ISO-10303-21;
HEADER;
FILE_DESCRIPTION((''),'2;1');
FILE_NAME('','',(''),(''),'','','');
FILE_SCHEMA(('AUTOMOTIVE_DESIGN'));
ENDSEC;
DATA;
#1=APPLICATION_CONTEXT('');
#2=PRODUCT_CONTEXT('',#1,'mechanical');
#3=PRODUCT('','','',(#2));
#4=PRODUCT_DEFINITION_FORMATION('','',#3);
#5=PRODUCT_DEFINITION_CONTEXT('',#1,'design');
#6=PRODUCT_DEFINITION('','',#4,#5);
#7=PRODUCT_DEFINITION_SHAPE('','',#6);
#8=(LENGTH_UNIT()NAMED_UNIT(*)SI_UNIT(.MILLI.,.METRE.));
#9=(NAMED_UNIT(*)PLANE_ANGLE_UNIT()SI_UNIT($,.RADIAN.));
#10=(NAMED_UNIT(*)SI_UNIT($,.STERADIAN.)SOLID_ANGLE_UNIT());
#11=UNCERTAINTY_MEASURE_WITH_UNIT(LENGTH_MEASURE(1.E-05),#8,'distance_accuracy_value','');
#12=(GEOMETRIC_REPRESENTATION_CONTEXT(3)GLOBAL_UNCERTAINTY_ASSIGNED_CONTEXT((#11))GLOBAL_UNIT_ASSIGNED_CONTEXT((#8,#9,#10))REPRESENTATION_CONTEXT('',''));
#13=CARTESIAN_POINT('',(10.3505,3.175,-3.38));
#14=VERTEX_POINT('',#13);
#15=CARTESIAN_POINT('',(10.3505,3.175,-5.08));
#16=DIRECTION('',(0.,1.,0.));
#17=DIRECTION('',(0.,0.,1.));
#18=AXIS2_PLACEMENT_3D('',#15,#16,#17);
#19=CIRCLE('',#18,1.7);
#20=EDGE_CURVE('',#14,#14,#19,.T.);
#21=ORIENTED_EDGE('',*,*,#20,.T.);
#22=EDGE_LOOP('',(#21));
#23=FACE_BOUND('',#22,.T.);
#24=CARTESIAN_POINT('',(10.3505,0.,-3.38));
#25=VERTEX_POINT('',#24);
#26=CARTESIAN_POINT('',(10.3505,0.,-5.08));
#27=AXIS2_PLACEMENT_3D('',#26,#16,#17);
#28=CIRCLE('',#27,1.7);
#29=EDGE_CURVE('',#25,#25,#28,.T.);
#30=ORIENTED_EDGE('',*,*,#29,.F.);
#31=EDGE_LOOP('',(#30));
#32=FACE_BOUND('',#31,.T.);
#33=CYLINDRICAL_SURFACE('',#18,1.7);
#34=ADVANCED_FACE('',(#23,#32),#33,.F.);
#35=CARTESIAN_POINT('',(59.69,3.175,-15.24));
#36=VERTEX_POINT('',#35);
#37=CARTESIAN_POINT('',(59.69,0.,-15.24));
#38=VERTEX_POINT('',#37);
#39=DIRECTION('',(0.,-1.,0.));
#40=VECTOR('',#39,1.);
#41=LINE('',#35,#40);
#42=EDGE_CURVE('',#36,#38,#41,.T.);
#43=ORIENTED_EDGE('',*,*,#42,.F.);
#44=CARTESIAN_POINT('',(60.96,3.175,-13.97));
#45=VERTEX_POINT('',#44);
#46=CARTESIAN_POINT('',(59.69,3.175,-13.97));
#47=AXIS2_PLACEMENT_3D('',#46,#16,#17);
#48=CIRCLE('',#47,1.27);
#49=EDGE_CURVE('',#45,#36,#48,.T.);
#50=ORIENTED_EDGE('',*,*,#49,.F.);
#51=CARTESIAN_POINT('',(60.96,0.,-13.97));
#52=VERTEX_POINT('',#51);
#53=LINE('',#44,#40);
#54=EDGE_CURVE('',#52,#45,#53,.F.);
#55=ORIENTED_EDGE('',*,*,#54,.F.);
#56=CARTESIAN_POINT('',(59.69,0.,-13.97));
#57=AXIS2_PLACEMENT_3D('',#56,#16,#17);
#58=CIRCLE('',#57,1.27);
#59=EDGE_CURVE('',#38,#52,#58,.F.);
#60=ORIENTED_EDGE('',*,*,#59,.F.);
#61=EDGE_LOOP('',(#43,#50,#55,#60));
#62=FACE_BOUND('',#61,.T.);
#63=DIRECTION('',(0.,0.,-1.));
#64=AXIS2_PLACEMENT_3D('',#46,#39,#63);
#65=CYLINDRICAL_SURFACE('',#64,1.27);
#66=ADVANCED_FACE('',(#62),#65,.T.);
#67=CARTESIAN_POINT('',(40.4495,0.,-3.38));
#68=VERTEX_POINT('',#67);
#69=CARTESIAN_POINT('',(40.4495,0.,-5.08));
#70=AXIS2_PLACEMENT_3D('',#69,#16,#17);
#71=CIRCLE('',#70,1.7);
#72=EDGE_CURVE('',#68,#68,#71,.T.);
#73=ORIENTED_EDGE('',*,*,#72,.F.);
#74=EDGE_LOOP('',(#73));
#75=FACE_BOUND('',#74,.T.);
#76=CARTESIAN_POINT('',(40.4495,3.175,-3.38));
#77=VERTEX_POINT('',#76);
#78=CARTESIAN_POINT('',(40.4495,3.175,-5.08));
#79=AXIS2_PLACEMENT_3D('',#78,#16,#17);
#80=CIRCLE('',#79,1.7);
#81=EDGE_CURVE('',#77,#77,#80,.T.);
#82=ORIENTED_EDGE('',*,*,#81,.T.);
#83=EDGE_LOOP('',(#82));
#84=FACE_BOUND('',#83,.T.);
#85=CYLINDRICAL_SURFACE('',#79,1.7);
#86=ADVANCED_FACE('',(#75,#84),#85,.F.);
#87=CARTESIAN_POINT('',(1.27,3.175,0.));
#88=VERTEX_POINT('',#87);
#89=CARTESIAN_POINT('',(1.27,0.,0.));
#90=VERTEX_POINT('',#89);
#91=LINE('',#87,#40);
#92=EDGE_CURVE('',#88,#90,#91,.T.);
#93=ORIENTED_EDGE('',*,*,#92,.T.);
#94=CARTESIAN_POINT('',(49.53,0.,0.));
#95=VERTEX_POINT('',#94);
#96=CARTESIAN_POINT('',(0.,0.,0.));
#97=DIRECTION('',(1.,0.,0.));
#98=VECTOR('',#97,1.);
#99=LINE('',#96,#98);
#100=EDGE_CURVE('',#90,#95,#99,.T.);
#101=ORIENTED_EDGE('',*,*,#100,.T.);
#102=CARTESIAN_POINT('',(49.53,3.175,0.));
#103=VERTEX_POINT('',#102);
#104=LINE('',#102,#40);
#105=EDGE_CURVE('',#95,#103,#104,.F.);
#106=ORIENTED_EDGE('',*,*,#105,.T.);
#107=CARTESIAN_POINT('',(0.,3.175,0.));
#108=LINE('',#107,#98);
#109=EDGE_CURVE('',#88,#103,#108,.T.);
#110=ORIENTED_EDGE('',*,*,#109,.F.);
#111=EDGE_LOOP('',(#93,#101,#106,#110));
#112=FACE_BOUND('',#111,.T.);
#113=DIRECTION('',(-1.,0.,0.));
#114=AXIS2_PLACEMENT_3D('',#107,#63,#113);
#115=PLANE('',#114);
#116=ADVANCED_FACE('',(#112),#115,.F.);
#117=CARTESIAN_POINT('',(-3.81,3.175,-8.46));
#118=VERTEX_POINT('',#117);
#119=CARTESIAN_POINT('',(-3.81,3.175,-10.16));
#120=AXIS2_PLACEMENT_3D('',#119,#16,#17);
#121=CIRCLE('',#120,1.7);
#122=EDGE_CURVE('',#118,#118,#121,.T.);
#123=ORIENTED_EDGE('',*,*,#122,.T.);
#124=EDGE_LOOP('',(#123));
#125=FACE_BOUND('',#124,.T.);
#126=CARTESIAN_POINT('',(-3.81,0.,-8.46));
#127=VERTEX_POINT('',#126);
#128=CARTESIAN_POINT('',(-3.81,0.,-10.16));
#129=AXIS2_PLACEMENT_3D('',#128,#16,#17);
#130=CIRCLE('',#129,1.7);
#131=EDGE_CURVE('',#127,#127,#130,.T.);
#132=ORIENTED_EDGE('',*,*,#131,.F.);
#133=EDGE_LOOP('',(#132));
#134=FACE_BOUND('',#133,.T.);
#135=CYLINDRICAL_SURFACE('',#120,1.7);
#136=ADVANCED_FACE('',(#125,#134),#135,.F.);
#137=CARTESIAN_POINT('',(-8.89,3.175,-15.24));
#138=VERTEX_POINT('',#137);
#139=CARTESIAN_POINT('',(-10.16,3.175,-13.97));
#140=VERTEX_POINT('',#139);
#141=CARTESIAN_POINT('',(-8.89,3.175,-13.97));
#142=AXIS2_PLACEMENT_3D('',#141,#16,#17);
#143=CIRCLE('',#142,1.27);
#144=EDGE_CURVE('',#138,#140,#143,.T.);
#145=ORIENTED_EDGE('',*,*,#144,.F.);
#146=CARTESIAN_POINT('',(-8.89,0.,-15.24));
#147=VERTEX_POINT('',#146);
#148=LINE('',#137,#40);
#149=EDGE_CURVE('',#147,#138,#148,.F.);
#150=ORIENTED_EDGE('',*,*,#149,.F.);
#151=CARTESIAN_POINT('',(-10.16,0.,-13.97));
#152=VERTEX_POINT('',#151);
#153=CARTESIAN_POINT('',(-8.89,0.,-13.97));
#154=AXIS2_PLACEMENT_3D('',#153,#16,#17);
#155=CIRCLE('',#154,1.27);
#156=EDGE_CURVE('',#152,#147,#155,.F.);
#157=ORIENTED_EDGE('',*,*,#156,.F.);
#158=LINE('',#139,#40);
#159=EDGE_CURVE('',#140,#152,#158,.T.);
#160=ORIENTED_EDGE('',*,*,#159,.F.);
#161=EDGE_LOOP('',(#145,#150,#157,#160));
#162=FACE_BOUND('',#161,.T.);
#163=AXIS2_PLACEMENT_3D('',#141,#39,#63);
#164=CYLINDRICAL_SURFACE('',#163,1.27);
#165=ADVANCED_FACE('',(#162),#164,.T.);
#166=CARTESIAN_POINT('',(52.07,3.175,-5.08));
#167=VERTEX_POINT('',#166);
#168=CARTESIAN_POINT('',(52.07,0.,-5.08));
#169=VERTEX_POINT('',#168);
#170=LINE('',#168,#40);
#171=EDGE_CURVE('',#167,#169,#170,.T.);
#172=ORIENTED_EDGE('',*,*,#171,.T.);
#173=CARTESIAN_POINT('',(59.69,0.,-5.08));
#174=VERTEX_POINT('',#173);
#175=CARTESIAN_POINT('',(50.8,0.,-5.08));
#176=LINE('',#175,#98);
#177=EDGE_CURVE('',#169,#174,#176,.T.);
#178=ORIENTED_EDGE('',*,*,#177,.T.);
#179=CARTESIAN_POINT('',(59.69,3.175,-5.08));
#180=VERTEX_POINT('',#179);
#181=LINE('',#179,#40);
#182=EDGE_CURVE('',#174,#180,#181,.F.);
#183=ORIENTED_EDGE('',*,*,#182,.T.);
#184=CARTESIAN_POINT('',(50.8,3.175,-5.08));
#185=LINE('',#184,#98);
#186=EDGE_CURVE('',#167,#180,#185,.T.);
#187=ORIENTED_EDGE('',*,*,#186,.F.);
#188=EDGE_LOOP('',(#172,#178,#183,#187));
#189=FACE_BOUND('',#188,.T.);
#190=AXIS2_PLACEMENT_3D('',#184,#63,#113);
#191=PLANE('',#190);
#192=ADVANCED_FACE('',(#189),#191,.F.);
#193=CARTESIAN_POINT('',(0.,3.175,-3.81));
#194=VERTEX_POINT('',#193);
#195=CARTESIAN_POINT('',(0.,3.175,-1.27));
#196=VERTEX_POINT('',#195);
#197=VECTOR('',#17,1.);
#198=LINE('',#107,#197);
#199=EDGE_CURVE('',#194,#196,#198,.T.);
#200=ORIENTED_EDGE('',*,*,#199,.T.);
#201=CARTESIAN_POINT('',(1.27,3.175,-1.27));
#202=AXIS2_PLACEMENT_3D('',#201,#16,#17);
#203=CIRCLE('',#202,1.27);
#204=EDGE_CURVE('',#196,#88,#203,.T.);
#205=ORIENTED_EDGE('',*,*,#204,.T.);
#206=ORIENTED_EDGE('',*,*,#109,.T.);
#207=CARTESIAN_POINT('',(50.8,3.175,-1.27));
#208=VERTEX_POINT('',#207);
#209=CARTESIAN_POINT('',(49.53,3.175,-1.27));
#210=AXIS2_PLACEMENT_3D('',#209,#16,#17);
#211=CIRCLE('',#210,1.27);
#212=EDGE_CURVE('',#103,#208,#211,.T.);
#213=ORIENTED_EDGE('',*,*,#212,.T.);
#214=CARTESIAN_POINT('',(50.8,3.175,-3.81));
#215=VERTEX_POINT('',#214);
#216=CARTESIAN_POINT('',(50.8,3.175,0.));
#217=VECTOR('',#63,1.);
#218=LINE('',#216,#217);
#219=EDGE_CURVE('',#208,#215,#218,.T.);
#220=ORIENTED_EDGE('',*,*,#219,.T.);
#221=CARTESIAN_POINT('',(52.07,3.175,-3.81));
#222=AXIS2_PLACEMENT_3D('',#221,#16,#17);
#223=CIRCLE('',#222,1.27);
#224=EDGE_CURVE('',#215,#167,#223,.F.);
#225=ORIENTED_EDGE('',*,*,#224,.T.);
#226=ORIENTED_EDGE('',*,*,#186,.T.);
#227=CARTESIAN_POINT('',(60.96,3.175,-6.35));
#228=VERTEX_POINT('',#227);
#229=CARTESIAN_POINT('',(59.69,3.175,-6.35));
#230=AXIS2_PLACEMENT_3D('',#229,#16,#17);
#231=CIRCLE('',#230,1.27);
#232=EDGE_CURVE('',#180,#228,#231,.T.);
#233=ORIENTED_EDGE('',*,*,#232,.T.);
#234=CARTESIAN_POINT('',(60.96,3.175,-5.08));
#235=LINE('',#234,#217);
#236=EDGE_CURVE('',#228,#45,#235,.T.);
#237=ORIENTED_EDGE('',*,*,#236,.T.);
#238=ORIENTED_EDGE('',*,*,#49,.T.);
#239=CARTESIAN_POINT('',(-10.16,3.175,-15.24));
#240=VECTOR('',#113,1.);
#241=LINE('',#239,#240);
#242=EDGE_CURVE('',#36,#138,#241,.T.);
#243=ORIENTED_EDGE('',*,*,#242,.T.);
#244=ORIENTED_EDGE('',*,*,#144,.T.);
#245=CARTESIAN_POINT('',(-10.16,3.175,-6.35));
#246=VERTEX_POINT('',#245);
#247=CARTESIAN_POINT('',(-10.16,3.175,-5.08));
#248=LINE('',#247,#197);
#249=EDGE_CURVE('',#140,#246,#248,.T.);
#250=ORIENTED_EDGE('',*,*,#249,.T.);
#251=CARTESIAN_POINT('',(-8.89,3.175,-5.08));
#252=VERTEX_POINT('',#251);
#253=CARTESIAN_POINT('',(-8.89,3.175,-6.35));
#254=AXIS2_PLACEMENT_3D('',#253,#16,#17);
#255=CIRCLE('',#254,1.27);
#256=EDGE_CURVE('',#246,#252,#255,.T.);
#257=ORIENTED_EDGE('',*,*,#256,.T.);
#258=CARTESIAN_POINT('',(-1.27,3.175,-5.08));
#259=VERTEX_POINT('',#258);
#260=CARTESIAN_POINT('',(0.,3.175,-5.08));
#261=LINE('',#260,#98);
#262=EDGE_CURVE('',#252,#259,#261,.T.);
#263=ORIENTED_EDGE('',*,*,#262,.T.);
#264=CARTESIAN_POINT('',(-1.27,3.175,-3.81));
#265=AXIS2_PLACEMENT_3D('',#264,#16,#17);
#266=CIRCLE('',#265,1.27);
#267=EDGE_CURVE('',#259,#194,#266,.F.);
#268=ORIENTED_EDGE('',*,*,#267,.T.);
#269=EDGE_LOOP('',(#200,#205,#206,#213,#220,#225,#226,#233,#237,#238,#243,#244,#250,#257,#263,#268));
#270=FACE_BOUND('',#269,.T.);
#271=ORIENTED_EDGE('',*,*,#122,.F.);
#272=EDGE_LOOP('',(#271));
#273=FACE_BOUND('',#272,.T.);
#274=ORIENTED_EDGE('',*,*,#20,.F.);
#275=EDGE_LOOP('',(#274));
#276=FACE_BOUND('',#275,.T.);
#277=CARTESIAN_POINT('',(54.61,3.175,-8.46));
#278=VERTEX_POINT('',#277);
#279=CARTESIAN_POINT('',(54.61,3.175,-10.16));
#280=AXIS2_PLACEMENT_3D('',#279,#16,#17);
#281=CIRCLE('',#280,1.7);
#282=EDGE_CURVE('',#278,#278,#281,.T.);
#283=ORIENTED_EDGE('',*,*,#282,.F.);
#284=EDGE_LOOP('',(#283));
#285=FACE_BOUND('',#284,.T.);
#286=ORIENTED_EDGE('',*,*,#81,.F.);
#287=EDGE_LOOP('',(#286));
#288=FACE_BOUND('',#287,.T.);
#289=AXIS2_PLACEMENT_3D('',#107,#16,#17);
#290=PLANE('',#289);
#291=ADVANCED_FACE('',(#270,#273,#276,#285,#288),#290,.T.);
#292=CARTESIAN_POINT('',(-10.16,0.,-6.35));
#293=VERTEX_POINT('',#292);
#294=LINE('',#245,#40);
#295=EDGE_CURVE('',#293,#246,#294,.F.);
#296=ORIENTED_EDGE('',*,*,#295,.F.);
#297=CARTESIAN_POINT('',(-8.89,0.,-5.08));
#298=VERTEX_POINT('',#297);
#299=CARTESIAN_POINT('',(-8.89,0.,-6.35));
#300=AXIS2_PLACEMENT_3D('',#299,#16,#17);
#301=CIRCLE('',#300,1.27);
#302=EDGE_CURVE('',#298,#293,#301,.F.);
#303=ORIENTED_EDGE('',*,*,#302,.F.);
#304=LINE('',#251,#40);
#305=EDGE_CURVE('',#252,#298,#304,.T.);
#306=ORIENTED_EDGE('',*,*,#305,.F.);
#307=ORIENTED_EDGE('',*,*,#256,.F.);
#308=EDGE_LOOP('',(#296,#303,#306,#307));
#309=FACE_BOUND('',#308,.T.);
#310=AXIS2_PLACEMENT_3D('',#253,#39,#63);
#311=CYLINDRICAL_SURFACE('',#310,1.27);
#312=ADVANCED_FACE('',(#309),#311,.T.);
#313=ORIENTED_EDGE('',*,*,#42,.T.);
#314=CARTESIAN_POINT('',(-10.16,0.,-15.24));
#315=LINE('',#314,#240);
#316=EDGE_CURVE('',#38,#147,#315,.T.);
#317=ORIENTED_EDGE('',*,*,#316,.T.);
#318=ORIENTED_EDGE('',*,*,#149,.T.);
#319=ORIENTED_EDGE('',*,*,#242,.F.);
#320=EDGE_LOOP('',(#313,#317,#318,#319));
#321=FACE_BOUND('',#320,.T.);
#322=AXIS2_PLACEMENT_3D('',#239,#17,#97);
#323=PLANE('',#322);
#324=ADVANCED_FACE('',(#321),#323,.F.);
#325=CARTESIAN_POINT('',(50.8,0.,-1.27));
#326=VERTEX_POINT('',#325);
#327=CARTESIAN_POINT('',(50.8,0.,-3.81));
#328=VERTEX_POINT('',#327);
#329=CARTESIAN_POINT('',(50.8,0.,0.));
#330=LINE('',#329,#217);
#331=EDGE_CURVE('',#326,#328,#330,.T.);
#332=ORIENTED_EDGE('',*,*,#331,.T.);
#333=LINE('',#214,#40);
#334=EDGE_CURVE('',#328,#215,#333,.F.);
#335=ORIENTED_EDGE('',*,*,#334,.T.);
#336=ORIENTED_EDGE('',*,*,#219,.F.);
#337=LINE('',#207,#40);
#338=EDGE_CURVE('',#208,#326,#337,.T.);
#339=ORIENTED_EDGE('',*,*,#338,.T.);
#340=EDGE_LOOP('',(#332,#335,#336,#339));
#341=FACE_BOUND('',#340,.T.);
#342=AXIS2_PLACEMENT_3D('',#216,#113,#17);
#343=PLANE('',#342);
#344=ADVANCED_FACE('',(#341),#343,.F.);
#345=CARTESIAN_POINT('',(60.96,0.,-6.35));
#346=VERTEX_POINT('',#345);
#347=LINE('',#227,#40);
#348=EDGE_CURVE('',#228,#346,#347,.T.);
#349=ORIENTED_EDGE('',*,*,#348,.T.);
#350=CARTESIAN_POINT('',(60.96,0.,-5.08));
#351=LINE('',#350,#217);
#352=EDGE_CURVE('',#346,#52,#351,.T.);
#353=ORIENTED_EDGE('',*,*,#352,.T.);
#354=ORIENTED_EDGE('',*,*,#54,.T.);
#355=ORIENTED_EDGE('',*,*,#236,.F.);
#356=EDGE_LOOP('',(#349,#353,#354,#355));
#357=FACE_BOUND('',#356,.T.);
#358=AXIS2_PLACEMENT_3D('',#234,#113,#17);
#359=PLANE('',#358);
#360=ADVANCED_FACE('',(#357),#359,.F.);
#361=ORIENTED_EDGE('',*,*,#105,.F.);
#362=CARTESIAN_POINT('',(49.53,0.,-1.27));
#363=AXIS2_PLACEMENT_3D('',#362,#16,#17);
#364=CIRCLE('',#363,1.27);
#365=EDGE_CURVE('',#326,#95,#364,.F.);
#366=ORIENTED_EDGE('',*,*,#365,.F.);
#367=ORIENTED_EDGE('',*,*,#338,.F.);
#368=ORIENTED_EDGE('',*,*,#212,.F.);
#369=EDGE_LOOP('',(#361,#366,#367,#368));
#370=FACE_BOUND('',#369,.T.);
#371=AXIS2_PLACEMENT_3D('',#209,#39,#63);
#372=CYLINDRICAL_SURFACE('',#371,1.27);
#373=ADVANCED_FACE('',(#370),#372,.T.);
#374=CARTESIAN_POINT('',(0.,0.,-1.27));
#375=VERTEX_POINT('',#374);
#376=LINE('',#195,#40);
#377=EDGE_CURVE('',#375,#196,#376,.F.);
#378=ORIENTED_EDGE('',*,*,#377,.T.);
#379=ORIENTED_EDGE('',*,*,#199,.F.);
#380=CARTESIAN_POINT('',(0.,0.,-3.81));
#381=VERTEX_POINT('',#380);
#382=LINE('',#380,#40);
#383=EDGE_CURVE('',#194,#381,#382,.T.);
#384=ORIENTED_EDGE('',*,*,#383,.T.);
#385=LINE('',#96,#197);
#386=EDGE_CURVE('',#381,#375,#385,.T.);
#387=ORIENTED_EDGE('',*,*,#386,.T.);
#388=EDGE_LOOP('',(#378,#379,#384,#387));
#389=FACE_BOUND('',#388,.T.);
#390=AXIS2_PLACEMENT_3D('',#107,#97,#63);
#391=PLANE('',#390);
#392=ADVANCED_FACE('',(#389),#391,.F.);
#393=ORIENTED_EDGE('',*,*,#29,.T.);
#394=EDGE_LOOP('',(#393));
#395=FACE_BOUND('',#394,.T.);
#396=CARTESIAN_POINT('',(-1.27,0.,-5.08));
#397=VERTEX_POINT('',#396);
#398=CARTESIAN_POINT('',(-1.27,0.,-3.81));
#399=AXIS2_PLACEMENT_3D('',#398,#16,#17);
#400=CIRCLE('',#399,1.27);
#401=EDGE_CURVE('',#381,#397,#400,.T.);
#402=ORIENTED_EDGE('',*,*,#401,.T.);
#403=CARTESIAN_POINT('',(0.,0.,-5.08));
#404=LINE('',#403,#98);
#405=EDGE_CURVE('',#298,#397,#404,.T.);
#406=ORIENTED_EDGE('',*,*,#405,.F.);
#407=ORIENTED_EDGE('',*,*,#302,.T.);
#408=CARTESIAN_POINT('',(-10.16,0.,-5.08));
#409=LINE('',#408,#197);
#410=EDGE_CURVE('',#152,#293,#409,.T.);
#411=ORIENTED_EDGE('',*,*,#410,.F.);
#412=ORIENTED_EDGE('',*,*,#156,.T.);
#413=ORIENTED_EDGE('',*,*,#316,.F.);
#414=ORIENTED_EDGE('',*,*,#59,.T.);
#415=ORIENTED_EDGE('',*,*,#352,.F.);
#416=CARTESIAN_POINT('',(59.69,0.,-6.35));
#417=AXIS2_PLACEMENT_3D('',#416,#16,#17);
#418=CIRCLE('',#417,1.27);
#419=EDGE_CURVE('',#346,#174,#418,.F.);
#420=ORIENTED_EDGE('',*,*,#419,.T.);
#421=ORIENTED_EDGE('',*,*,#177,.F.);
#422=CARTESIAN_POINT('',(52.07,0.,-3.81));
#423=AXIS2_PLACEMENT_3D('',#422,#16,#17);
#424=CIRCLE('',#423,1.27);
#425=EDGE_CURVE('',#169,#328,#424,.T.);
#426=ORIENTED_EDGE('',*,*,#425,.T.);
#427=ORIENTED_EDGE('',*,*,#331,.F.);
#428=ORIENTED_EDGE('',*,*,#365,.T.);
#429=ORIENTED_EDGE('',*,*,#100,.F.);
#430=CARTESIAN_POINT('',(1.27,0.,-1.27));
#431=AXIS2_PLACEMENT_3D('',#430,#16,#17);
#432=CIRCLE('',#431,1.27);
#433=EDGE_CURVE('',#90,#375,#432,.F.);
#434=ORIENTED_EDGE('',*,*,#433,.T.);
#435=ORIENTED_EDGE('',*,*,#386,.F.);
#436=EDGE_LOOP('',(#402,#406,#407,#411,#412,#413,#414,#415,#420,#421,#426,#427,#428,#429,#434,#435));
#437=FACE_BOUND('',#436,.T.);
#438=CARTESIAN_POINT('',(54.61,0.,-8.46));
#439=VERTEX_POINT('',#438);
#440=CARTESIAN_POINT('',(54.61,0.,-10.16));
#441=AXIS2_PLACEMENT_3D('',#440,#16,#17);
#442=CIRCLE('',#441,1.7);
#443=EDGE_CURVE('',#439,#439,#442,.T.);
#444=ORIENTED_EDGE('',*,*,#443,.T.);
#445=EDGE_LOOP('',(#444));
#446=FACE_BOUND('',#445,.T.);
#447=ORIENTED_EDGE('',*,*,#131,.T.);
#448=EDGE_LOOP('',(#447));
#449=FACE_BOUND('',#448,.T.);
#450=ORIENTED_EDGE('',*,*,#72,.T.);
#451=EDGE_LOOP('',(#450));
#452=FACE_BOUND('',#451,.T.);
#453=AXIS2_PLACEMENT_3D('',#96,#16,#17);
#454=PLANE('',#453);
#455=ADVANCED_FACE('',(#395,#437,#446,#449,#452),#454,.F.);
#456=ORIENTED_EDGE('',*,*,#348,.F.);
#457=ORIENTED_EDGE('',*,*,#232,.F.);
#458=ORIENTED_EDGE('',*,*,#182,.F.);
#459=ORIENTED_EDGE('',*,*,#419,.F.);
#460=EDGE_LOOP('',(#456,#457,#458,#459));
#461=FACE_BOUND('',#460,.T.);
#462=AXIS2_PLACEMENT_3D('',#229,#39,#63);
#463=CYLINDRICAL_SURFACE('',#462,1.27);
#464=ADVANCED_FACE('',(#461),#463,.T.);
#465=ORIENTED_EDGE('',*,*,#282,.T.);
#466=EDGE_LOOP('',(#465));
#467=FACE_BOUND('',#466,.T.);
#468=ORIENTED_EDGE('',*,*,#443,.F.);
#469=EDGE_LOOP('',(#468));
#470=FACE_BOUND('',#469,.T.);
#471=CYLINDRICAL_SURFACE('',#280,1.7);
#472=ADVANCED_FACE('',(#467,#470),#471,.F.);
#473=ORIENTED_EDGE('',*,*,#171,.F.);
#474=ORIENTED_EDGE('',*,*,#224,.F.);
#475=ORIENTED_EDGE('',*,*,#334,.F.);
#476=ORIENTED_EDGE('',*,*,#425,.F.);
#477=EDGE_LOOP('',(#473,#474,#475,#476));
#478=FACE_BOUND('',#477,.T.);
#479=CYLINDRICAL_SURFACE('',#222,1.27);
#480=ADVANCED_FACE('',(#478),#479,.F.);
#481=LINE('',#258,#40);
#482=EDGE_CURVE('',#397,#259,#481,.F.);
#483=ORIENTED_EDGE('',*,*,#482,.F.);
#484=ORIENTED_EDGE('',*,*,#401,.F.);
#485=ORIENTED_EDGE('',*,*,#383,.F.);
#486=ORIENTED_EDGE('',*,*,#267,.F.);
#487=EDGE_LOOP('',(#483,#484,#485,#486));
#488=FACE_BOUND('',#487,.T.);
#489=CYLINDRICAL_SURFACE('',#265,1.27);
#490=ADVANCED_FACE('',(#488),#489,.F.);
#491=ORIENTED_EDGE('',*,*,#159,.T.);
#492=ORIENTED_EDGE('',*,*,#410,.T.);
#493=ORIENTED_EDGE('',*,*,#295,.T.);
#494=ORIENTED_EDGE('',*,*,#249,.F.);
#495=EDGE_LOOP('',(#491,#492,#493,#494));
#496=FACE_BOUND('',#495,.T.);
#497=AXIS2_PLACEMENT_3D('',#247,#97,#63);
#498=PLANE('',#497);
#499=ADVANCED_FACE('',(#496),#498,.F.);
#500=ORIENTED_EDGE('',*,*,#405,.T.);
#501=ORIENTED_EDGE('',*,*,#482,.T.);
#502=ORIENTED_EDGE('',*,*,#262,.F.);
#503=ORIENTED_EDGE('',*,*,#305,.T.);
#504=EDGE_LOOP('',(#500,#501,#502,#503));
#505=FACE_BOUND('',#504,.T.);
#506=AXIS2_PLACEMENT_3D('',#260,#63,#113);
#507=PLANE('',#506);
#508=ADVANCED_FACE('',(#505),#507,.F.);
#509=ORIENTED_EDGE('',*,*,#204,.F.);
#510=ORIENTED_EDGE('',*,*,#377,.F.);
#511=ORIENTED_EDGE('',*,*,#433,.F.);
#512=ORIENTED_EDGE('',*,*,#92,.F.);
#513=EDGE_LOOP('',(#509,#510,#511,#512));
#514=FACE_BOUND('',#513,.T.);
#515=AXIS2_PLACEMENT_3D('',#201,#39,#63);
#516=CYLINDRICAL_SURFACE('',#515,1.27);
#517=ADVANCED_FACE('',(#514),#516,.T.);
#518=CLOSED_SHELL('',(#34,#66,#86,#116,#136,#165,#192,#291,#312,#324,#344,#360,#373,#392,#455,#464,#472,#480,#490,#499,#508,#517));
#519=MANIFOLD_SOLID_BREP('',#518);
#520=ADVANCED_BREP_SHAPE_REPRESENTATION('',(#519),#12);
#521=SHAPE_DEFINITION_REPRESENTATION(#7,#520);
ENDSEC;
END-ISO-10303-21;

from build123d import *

# Parameters (mm, degrees)
BOSS_EXTRUDE1_DEPTH  = 3.175
M3_CLEARANCE_HOLE2_D = 3.4
FILLET1_R            = 1.27


with BuildPart() as part:
    # Sketch1 → Boss-Extrude1 (new body)
    with BuildSketch(Plane(origin=(0, 0, 0), x_dir=(1, 0, 0), z_dir=(0, 1, 0))):
        Polygon((0, 0), (50.8, 0), (50.8, 5.08), (60.96, 5.08), (60.96, 15.24), (-10.16, 15.24), (-10.16, 5.08), (0, 5.08), align=None)
    extrude(amount=BOSS_EXTRUDE1_DEPTH)

    # M3 Clearance Hole2 (through all)
    with Locations(Plane(origin=(0, 3.175, 0), x_dir=(1, 0, 0), z_dir=(0, 1, 0))):
        with Locations((-3.81, 10.16), (10.3505, 5.08), (40.4495, 5.08), (54.61, 10.16)):
            Hole(M3_CLEARANCE_HOLE2_D / 2)

    # Fillet1
    fillet1_edges = [part.edges().sort_by_distance(p)[0] for p in [
        (0, 1.5875, -5.08),
        (-10.16, 1.5875, -5.08),
        (-10.16, 1.5875, -15.24),
        (60.96, 1.5875, -15.24),
        (60.96, 1.5875, -5.08),
        (50.8, 1.5875, -5.08),
        (50.8, 1.5875, 0),
        (0, 1.5875, 0),
    ]]
    fillet(fillet1_edges, radius=FILLET1_R)


solid = part.part
